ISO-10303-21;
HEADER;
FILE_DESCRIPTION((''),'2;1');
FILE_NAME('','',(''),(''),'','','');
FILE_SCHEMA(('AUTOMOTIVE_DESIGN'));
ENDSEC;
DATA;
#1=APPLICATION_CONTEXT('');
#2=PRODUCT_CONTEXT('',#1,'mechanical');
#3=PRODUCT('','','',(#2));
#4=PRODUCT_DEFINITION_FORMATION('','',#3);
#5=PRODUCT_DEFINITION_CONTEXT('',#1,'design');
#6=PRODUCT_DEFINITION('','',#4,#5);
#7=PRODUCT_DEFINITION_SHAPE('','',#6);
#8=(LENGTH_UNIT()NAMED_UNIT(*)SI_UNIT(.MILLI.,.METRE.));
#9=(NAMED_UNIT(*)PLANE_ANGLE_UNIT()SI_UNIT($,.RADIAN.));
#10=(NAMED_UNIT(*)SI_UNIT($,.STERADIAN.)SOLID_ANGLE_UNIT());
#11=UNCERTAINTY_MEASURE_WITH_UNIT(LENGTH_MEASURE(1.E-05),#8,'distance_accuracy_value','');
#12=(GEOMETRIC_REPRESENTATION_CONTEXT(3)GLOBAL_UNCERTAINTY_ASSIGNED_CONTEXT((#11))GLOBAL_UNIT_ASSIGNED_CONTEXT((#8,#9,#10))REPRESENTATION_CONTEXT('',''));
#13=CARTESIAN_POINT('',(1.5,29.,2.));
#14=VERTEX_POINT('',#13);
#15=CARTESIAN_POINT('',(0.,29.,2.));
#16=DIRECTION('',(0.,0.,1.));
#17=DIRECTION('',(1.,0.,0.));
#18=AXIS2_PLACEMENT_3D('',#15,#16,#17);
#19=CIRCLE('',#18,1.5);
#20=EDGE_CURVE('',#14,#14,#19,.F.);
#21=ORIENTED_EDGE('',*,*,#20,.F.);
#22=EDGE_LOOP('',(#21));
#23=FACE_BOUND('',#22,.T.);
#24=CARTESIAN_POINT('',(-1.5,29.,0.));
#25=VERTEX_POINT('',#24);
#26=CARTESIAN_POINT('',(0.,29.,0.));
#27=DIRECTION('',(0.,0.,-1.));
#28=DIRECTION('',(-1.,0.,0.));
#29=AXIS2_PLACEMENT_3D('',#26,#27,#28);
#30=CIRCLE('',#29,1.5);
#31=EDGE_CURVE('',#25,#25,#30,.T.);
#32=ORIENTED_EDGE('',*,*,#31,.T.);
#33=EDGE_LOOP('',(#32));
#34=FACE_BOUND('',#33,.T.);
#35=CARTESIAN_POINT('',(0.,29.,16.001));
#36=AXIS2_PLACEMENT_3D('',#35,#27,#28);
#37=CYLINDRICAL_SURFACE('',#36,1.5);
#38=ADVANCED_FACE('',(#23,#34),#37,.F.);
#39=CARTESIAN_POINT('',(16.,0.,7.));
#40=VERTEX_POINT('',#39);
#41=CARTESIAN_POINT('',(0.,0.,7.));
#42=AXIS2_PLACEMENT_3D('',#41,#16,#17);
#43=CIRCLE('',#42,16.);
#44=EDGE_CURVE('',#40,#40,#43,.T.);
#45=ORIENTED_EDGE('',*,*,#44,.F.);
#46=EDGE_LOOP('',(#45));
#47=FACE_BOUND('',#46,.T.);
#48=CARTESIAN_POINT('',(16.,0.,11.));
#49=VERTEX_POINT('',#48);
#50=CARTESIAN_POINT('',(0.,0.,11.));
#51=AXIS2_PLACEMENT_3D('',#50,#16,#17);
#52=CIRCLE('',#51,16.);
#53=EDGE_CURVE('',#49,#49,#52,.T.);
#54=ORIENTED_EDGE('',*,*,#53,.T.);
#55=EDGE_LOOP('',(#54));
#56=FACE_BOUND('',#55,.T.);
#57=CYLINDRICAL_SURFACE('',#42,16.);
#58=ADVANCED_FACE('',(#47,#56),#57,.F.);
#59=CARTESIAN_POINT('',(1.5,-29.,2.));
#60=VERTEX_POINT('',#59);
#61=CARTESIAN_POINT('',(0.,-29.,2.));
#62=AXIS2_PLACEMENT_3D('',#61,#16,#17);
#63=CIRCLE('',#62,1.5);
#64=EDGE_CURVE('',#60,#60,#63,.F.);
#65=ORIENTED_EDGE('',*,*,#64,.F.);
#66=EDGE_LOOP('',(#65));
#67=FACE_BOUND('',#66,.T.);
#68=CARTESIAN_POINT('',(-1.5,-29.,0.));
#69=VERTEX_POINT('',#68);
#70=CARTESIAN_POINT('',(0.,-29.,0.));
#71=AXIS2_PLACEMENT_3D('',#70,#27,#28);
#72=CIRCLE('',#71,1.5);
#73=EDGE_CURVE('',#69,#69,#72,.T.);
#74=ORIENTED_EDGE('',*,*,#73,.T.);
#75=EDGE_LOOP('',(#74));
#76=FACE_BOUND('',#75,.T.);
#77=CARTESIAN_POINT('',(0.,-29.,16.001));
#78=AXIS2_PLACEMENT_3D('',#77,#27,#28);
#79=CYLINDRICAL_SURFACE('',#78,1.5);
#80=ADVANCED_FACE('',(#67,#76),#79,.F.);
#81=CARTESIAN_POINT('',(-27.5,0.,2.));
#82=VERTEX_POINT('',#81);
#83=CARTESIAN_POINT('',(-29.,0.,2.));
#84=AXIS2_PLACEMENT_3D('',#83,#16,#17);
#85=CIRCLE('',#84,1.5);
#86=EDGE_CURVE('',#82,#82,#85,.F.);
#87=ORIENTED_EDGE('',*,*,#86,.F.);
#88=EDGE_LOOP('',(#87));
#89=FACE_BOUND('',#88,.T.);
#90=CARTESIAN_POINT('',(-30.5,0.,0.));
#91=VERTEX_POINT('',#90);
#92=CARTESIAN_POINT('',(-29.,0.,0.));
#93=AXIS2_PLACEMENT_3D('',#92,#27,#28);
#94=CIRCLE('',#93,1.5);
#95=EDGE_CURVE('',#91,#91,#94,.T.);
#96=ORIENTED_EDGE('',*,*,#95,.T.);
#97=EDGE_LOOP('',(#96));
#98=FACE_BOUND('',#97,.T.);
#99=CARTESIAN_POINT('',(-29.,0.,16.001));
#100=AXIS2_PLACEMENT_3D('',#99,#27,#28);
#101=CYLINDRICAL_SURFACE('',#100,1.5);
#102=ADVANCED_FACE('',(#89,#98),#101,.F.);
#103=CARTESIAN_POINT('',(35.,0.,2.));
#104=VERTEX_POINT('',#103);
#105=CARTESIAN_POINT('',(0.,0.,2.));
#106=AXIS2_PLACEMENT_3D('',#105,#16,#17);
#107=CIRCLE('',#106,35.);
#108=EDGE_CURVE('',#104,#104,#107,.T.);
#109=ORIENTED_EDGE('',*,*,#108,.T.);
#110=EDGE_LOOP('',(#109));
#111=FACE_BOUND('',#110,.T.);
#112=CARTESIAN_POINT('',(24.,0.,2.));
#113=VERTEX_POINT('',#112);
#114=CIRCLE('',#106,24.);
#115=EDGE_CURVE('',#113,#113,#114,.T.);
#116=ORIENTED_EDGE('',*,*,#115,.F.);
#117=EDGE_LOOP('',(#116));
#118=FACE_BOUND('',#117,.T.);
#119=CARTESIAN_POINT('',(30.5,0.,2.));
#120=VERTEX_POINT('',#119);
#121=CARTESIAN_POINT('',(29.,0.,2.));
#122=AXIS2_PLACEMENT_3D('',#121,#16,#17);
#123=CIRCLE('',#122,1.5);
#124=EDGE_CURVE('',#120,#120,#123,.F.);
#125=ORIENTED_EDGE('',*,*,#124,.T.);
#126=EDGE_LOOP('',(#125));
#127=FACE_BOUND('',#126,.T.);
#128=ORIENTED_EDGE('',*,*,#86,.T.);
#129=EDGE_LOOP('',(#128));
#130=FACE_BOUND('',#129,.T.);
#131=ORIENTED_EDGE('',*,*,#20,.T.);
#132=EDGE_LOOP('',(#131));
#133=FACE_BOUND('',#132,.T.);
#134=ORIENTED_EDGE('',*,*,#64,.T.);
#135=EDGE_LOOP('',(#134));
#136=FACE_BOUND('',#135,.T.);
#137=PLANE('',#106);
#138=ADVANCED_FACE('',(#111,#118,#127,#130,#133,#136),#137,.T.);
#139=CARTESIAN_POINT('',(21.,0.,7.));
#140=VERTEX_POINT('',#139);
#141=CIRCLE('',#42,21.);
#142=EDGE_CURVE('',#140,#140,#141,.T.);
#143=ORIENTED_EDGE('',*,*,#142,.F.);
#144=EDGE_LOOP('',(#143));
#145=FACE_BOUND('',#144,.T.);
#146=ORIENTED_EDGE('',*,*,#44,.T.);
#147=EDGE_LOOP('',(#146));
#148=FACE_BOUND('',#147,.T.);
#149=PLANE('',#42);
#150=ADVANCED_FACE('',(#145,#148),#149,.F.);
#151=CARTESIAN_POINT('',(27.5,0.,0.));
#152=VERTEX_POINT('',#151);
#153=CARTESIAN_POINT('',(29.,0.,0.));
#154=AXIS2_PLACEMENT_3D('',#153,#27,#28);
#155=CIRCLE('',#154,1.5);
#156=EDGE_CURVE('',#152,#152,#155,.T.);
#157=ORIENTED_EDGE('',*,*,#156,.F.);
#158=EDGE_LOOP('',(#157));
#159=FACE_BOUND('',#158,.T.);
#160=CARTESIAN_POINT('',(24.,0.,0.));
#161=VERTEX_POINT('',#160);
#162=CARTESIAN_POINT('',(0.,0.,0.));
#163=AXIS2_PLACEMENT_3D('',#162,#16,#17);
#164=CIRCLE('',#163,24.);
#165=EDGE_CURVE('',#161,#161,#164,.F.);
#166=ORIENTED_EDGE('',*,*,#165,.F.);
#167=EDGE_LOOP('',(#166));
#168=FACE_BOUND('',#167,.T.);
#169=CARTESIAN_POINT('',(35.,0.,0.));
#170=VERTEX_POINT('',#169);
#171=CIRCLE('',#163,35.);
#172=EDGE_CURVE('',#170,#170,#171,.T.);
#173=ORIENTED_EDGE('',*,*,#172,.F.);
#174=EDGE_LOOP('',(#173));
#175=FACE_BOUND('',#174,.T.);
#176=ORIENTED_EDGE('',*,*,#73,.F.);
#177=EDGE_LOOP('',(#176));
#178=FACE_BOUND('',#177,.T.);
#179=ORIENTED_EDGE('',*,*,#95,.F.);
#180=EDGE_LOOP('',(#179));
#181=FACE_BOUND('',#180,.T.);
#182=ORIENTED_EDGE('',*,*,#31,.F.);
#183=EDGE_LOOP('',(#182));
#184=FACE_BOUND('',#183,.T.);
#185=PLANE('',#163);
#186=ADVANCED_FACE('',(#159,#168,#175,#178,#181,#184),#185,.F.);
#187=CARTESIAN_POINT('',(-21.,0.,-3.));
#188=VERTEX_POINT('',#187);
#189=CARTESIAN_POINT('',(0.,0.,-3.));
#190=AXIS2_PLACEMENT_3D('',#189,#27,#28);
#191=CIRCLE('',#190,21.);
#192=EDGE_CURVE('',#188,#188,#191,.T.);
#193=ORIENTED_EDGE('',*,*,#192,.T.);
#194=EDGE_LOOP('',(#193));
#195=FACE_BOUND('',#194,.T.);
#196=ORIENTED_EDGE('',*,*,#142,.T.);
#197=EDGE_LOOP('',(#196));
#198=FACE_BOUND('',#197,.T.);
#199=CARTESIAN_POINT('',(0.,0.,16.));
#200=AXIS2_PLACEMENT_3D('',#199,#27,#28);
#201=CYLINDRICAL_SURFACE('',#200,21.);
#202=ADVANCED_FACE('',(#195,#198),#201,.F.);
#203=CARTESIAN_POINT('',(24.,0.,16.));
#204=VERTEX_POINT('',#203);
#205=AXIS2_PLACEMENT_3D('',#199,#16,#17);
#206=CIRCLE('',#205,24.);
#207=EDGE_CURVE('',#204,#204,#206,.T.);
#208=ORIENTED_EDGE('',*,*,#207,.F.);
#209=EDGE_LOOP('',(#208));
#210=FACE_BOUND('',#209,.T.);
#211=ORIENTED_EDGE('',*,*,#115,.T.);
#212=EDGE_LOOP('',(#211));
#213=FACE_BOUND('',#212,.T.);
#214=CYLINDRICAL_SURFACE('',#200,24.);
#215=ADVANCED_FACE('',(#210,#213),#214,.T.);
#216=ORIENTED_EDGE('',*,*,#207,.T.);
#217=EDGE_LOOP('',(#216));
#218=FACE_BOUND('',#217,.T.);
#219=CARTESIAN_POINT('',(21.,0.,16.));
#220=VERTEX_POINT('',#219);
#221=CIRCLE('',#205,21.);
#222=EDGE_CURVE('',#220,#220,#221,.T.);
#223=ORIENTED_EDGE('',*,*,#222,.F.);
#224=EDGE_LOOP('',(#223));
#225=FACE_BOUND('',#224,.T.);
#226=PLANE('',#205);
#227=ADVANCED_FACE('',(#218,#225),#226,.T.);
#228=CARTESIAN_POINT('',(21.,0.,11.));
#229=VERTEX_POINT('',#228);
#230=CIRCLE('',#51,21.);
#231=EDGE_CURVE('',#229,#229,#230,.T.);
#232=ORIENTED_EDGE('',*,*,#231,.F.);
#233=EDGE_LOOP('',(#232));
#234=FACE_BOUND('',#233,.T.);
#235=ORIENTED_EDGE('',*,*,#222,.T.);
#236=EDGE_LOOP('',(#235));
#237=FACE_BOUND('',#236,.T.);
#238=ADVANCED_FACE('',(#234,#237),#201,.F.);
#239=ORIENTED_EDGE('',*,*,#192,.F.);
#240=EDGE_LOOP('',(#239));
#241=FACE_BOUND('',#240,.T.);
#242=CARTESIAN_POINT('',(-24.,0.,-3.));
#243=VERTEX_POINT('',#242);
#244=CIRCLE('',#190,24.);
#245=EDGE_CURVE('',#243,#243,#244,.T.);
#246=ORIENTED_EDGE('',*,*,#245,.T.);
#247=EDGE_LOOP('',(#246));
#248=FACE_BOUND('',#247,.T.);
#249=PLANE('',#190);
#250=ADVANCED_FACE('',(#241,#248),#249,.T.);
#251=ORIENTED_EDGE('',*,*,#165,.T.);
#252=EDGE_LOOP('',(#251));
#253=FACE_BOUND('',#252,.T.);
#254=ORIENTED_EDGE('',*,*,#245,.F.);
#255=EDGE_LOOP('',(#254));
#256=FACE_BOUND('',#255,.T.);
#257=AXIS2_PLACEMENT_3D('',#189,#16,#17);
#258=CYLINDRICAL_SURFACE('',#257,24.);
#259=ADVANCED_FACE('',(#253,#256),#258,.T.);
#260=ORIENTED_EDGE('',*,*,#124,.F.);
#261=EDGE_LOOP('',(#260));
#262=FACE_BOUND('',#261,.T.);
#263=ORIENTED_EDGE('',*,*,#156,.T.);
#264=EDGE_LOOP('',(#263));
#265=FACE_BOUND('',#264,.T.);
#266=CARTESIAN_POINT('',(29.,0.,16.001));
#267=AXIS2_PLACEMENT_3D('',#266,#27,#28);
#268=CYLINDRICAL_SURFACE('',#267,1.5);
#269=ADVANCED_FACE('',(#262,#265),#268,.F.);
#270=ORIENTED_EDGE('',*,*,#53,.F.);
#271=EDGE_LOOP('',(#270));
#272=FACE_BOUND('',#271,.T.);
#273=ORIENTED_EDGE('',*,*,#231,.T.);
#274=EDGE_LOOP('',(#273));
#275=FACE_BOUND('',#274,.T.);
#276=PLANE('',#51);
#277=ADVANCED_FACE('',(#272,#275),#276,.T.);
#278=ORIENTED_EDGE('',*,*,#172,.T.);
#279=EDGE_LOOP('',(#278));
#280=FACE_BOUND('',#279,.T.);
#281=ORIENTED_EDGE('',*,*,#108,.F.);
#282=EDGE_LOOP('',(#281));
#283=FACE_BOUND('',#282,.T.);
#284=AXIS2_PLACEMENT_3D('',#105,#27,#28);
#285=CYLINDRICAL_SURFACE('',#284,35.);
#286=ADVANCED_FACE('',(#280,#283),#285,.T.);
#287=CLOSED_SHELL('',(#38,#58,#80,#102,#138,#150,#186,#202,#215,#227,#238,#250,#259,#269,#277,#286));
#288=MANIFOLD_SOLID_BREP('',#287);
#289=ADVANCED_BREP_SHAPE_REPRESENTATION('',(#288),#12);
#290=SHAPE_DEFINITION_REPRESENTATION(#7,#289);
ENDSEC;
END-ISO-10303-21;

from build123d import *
from build123d.topology import SkipClean

# Parameters (mm, degrees)
SKETCH1_R           = 35
BOSS_EXTRUDE1_DEPTH = 2
SKETCH2_R           = 24
SKETCH2_R_2         = 21
BOSS_EXTRUDE2_DEPTH = 14
SKETCH3_R           = 21
CUT_EXTRUDE1_DEPTH  = 10
CUT_EXTRUDE2_REACH  = 54.019
SKETCH4_R           = 1.5
BOSS_EXTRUDE3_START = -5
SKETCH5_R           = 21
SKETCH5_R_2         = 16
BOSS_EXTRUDE3_DEPTH = 4
SKETCH6_R           = 24
SKETCH6_R_2         = 21
BOSS_EXTRUDE4_DEPTH = 3


with BuildPart() as part:
    # Sketch1 → Boss-Extrude1 (new body)
    with BuildSketch(Plane.XY):
        Circle(SKETCH1_R)
    extrude(amount=BOSS_EXTRUDE1_DEPTH)

    # Sketch2 → Boss-Extrude2 (add)
    with BuildSketch(Plane.XY.offset(2)):
        Circle(SKETCH2_R)
        Circle(SKETCH2_R_2, mode=Mode.SUBTRACT)
    extrude(amount=BOSS_EXTRUDE2_DEPTH)

    # Sketch3 → Cut-Extrude1 (cut)
    with BuildSketch(Plane.XY.offset(2)):
        Circle(SKETCH3_R)
    extrude(amount=-CUT_EXTRUDE1_DEPTH, mode=Mode.SUBTRACT)

    # Sketch4 → Cut-Extrude2 (cut, up to next)
    with BuildSketch(Plane(origin=(0, 0, 0), x_dir=(-1, 0, 0), z_dir=(0, 0, -1)), mode=Mode.PRIVATE) as cut_extrude2_sk1:
        with Locations((29, 0)):
            Circle(SKETCH4_R)
    cut_extrude2_tool1 = extrude(cut_extrude2_sk1.sketch, amount=-CUT_EXTRUDE2_REACH, mode=Mode.PRIVATE) & part.part
    # Sketch4 → Cut-Extrude2 (cut, up to next)
    with BuildSketch(Plane(origin=(0, 0, 0), x_dir=(-1, 0, 0), z_dir=(0, 0, -1)), mode=Mode.PRIVATE) as cut_extrude2_sk2:
        with Locations((0, -29)):
            Circle(SKETCH4_R)
    cut_extrude2_tool2 = extrude(cut_extrude2_sk2.sketch, amount=-CUT_EXTRUDE2_REACH, mode=Mode.PRIVATE) & part.part
    # Sketch4 → Cut-Extrude2 (cut, up to next)
    with BuildSketch(Plane(origin=(0, 0, 0), x_dir=(-1, 0, 0), z_dir=(0, 0, -1)), mode=Mode.PRIVATE) as cut_extrude2_sk3:
        with Locations((-29, 0)):
            Circle(SKETCH4_R)
    cut_extrude2_tool3 = extrude(cut_extrude2_sk3.sketch, amount=-CUT_EXTRUDE2_REACH, mode=Mode.PRIVATE) & part.part
    # Sketch4 → Cut-Extrude2 (cut, up to next)
    with BuildSketch(Plane(origin=(0, 0, 0), x_dir=(-1, 0, 0), z_dir=(0, 0, -1)), mode=Mode.PRIVATE) as cut_extrude2_sk4:
        with Locations((0, 29)):
            Circle(SKETCH4_R)
    cut_extrude2_tool4 = extrude(cut_extrude2_sk4.sketch, amount=-CUT_EXTRUDE2_REACH, mode=Mode.PRIVATE) & part.part
    add(cut_extrude2_tool1.solids().sort_by_distance((-29, 0, 0))[0], mode=Mode.SUBTRACT)
    add(cut_extrude2_tool2.solids().sort_by_distance((0, -29, 0))[0], mode=Mode.SUBTRACT)
    add(cut_extrude2_tool3.solids().sort_by_distance((29, 0, 0))[0], mode=Mode.SUBTRACT)
    add(cut_extrude2_tool4.solids().sort_by_distance((0, 29, 0))[0], mode=Mode.SUBTRACT)

    # Sketch5 → Boss-Extrude3 (add)
    with BuildSketch(Plane.XY.offset(16).offset(BOSS_EXTRUDE3_START)):
        Circle(SKETCH5_R)
        Circle(SKETCH5_R_2, mode=Mode.SUBTRACT)
    extrude(amount=-BOSS_EXTRUDE3_DEPTH)

    # Sketch6 → Boss-Extrude4 (add)
    with SkipClean():  # the faces are left unmerged after this step: merging them gives an invalid solid
        with BuildSketch(Plane(origin=(0, 0, 0), x_dir=(-1, 0, 0), z_dir=(0, 0, -1))):
            with Locations(Location((0, 0, 0), (0, 0, 180))):
                Circle(SKETCH6_R)
            Circle(SKETCH6_R_2, mode=Mode.SUBTRACT)
        extrude(amount=BOSS_EXTRUDE4_DEPTH)


solid = part.part
